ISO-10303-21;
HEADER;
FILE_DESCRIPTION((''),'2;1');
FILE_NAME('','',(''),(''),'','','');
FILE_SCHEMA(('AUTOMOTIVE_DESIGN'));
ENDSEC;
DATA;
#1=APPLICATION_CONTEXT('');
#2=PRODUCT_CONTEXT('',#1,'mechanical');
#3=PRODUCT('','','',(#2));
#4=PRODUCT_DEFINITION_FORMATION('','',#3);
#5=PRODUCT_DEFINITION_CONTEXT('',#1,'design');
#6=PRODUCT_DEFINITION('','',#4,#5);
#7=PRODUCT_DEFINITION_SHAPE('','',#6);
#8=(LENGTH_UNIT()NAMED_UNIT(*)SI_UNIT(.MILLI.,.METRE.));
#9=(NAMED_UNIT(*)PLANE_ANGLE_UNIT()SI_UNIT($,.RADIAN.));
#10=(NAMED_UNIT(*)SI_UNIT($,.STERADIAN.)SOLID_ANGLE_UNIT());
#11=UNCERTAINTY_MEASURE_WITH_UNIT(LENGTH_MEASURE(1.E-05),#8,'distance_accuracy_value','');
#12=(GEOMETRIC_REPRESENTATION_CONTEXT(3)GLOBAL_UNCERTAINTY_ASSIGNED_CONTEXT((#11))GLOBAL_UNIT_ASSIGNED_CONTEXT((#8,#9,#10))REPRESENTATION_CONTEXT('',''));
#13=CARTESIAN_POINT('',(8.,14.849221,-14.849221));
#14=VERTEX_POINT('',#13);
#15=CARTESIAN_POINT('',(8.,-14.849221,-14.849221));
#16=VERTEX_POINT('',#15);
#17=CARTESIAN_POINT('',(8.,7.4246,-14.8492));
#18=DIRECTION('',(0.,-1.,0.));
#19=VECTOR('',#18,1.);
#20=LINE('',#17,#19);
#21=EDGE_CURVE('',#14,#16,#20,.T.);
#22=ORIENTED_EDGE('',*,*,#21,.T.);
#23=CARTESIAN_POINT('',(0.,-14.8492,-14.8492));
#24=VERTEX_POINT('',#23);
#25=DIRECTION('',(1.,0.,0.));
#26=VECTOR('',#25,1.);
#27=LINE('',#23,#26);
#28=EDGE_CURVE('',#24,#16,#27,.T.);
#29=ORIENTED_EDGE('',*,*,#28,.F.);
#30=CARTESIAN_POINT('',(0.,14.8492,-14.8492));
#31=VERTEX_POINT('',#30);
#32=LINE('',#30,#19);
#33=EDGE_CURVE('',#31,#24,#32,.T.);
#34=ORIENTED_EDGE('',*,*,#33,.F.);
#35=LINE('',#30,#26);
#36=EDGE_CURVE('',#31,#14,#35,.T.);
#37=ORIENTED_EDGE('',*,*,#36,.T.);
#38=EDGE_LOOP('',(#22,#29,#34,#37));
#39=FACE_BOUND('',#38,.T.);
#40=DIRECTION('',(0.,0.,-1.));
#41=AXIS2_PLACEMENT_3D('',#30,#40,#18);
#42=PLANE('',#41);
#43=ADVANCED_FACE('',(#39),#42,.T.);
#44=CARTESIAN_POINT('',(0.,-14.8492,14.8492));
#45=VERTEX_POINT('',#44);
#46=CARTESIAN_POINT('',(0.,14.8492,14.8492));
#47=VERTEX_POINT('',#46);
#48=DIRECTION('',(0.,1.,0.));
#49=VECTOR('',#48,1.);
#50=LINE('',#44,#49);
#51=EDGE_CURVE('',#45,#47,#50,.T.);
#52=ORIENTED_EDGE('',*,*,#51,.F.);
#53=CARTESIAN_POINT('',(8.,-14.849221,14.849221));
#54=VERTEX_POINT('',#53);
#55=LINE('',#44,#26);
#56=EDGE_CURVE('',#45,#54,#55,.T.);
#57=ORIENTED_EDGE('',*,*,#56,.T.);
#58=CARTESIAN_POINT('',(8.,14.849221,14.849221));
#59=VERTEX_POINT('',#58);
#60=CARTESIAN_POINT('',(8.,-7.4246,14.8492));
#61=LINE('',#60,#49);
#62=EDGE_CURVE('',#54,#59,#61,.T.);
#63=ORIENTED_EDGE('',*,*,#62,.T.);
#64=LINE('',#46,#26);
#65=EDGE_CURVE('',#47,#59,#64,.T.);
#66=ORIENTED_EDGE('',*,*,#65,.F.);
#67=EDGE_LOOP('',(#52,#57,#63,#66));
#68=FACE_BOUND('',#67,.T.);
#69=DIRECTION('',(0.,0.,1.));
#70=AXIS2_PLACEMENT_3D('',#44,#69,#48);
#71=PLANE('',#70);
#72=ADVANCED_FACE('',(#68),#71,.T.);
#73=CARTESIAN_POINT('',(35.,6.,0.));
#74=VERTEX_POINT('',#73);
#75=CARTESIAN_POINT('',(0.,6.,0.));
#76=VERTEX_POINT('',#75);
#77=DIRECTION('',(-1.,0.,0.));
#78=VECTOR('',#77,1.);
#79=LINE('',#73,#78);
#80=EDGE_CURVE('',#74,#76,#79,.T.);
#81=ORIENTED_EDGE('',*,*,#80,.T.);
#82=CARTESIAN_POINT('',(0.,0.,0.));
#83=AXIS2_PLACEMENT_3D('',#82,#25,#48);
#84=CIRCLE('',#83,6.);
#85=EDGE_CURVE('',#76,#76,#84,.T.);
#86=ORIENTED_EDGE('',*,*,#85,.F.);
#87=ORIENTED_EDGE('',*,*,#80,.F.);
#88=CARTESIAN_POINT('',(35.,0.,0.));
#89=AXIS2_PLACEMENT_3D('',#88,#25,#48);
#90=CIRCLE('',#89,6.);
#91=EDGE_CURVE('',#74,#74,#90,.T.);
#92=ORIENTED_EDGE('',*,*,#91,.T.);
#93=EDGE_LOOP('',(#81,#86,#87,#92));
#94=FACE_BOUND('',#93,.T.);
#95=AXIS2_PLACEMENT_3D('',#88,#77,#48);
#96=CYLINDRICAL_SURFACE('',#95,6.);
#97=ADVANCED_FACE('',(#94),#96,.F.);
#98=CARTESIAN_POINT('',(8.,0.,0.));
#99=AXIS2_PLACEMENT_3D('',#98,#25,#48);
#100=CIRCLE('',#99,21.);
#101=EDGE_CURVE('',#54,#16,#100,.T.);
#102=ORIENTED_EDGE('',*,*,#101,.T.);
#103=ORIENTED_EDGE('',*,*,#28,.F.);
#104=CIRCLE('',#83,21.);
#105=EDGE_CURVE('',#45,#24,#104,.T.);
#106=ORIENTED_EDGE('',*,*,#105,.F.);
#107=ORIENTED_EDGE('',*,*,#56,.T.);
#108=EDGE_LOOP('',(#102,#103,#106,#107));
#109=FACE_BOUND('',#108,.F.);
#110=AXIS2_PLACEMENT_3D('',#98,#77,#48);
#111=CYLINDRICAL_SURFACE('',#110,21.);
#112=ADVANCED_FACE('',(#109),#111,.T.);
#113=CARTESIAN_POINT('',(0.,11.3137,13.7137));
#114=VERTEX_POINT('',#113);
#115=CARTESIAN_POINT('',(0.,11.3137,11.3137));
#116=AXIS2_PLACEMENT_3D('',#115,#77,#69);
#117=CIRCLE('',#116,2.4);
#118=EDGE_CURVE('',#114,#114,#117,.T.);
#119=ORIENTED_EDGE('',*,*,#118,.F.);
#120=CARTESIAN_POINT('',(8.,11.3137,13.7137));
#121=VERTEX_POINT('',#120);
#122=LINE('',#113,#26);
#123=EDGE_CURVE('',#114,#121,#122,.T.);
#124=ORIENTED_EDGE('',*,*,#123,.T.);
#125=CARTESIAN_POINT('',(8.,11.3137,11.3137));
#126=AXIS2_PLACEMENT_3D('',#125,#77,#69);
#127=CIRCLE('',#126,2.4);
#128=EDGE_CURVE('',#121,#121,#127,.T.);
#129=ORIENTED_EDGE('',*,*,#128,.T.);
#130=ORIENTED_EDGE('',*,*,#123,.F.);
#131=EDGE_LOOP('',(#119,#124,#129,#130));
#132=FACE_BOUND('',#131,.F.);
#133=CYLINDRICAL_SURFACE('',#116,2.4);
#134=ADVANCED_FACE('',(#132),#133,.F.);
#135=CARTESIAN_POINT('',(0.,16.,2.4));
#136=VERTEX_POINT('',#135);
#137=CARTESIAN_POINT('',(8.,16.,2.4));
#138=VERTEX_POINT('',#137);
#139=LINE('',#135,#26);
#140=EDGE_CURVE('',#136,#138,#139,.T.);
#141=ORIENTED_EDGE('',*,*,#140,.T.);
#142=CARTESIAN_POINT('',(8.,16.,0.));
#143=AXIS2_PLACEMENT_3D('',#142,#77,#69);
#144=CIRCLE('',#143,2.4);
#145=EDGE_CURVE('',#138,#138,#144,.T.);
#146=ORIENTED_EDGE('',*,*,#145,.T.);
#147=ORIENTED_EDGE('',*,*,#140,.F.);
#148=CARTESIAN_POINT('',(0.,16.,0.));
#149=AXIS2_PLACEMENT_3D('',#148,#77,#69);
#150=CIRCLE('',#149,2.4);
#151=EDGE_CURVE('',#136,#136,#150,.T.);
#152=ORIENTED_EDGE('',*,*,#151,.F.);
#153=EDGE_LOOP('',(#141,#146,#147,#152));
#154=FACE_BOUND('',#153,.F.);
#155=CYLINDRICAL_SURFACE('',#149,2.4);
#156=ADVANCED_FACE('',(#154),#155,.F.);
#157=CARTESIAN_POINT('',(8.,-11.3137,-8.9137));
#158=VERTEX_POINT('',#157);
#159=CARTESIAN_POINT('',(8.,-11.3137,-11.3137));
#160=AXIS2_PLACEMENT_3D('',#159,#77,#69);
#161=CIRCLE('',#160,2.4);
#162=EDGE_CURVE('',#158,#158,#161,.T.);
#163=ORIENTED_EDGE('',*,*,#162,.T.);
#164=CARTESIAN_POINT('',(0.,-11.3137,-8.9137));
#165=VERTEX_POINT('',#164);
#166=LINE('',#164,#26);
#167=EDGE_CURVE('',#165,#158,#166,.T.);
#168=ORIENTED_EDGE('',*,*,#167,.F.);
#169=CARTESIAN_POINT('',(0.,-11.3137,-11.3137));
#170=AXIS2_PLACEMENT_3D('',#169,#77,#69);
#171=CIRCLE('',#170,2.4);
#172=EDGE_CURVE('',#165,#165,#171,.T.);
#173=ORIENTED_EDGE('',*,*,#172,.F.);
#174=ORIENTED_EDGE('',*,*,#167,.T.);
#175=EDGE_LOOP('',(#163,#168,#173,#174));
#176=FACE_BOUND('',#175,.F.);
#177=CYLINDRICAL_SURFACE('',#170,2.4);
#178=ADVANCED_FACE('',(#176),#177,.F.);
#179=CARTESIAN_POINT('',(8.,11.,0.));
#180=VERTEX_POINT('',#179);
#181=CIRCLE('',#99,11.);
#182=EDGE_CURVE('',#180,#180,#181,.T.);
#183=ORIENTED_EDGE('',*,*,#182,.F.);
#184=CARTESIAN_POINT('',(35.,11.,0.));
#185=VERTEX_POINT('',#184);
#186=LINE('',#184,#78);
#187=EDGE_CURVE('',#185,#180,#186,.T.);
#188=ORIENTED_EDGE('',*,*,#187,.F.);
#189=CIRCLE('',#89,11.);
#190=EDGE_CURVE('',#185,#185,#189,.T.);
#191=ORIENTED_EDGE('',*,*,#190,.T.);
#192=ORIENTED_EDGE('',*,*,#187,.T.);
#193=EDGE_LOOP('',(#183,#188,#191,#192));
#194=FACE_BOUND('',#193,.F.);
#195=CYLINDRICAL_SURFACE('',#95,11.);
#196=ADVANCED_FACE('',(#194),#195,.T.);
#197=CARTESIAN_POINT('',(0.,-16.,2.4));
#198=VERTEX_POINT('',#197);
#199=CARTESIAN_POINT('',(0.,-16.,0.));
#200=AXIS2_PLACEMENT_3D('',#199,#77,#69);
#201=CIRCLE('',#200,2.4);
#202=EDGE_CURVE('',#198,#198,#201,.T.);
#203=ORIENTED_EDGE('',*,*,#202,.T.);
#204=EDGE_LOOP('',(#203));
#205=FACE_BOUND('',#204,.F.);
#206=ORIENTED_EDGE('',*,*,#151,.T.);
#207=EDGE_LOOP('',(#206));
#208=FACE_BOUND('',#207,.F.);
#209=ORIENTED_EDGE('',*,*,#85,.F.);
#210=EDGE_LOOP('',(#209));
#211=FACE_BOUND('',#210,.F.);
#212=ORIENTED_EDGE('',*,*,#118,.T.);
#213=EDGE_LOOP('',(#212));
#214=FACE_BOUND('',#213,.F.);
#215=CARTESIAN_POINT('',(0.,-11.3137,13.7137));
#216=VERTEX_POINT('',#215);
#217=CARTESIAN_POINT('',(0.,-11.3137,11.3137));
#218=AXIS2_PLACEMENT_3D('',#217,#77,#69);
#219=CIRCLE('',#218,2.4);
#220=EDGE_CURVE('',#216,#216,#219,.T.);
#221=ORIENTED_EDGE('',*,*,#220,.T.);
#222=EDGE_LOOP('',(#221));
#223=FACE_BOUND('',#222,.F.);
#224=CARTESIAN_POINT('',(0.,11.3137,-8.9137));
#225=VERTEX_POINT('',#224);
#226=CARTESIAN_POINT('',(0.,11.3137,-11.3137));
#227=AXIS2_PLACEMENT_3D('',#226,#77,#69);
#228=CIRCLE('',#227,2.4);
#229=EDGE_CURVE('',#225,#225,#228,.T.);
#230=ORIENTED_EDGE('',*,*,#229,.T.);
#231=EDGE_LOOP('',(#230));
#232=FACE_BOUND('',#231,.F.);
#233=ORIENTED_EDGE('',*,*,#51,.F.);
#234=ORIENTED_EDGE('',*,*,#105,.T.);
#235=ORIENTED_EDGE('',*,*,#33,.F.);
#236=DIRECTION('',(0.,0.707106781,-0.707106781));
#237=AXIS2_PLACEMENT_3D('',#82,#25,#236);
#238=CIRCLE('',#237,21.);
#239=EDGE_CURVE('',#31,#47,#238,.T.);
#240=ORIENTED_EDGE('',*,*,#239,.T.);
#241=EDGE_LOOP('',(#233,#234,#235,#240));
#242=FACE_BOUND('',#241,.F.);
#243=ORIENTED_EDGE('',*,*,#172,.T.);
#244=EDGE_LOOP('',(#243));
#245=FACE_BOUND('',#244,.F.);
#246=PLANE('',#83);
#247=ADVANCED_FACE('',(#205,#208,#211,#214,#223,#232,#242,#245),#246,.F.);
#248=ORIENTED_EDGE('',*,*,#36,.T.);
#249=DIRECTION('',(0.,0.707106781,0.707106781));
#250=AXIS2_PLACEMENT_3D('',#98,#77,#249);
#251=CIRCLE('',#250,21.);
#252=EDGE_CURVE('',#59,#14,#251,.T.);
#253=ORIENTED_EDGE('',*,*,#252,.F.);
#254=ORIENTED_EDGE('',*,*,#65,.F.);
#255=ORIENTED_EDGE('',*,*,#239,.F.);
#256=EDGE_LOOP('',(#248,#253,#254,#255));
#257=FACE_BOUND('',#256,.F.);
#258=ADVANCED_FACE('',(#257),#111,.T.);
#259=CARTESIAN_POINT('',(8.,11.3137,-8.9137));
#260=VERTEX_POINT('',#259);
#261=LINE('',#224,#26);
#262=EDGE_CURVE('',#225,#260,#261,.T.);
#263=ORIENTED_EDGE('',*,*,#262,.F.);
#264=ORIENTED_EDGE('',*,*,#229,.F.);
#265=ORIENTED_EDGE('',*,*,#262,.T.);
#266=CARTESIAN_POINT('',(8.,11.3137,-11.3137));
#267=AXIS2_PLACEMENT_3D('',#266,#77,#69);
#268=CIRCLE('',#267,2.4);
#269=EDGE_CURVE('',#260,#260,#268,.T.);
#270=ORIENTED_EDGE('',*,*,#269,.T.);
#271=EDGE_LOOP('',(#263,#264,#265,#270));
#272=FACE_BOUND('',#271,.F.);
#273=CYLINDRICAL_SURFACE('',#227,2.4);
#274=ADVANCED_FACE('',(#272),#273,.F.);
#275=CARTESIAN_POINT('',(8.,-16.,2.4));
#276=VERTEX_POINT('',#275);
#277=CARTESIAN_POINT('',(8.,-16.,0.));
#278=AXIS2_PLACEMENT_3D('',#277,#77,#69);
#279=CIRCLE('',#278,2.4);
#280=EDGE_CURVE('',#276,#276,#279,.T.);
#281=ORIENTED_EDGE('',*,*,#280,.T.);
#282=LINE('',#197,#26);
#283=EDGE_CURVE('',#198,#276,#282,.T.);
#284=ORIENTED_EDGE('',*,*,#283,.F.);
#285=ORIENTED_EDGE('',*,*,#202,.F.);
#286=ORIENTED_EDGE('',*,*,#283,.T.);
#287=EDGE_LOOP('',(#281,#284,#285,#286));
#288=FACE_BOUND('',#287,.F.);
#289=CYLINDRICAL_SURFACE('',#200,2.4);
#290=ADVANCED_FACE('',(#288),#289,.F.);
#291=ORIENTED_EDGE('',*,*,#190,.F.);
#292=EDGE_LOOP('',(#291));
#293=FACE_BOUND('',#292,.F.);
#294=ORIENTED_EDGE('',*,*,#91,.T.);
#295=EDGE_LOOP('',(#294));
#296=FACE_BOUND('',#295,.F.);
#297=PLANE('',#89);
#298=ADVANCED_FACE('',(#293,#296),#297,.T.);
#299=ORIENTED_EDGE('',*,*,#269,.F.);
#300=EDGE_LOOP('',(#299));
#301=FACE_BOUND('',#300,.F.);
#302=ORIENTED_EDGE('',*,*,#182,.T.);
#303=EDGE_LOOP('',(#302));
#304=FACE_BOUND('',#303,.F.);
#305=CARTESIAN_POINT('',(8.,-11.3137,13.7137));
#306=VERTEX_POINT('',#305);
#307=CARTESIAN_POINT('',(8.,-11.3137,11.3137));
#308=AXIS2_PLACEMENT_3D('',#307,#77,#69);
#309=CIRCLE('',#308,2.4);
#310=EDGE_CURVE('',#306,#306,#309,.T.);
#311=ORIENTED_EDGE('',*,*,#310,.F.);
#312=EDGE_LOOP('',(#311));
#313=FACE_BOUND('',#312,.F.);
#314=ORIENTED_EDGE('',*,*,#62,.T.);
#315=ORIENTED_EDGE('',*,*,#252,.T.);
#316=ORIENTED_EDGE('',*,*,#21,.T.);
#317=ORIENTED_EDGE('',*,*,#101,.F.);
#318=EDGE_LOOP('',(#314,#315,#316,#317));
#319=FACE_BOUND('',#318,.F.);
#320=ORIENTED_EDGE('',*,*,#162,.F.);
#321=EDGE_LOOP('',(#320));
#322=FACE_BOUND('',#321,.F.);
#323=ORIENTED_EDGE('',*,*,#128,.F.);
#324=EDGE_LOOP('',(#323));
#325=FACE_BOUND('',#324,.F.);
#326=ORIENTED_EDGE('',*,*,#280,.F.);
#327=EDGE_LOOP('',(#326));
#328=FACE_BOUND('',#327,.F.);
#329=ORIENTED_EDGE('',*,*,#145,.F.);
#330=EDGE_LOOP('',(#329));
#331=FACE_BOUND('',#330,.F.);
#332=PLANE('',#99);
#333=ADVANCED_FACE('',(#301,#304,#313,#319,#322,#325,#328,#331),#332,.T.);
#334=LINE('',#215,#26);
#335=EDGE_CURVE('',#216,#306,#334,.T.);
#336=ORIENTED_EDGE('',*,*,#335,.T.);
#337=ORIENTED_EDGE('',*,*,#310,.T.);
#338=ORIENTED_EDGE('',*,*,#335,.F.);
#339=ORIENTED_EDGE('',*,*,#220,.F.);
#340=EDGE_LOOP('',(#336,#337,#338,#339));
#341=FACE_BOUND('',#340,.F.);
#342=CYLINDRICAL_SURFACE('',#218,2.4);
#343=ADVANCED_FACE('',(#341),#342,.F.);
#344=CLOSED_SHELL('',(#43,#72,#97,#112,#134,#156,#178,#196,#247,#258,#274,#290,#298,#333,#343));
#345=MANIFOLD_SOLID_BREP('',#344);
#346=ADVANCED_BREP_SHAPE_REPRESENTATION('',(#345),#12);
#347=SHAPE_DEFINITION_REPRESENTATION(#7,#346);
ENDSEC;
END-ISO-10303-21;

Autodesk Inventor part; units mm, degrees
ref_plane "YZ Plane" through (0, 0, 0) normal (1, 0, 0) x (0, 1, 0)
ref_plane "XZ Plane" through (0, 0, 0) normal (0, 1, 0) x (-1, 0, 0)
ref_plane "XY Plane" through (0, 0, 0) normal (0, 0, 1) x (1, 0, 0)
sketch "Sketch1" plane through (0, 0, 0) normal (0, 0, 1) x (1, 0, 0)
  line L0 (0, 21) -> (0, 6)
  line L1 (0, 0) -> (35, 0) construction
  line L2 (35, 0) -> (35, 6) construction
  line L3 (35, 11) -> (8, 11)
  line L4 (8, 11) -> (8, 21)
  line L5 (8, 21) -> (0, 21)
  line L6 (35, 6) -> (0, 6)
  line L7 (0, 6) -> (0, 0) construction
  line L8 (35, 6) -> (35, 11)
  dimension "d0" = 11
  dimension "d1" = 21
  dimension "d2" = 8
  dimension "d3" = 35
  dimension "d4" = 6
revolve "Revolution1" add sketch "Sketch1" angle 360 about axis through (0, 0, 0) along (1, 0, 0)
sketch "Sketch2" plane through (0, 0, 0) normal (-1, 0, 0) x (0, 0, 1)
  circle A0 centre (0, 0) radius 21 projected
  circle A1 centre (0, 0) radius 21 projected
  line L0 (-14.8492, 14.8492) -> (-14.8492, -14.8492)
  line L1 (14.8492, -14.8492) -> (14.8492, 14.8492)
  line L2 (0, 0) -> (14.8492, 14.8492) construction
  circle A2 centre (0, 16) radius 2.4
  circle A3 centre (11.3137, 11.3137) radius 2.4
  circle A4 centre (11.3137, -11.3137) radius 2.4
  circle A5 centre (0, 0) radius 16 construction
  circle A6 centre (-11.3137, 11.3137) radius 2.4
  circle A7 centre (0, -16) radius 2.4
  circle A8 centre (-11.3137, -11.3137) radius 2.4
  point P0 (-14.8492, -14.8492)
  dimension "d6" = 45
  dimension "d7" = 32
  dimension "d8" = 4.8
extrude "Extrusion1" cut sketch "Sketch2" against normal blind 10 contours A0 L1 | L0 A0 | A2 | A3 | A4 | A6 | A7 | A8
properties part number "SFU1204-Housing"
